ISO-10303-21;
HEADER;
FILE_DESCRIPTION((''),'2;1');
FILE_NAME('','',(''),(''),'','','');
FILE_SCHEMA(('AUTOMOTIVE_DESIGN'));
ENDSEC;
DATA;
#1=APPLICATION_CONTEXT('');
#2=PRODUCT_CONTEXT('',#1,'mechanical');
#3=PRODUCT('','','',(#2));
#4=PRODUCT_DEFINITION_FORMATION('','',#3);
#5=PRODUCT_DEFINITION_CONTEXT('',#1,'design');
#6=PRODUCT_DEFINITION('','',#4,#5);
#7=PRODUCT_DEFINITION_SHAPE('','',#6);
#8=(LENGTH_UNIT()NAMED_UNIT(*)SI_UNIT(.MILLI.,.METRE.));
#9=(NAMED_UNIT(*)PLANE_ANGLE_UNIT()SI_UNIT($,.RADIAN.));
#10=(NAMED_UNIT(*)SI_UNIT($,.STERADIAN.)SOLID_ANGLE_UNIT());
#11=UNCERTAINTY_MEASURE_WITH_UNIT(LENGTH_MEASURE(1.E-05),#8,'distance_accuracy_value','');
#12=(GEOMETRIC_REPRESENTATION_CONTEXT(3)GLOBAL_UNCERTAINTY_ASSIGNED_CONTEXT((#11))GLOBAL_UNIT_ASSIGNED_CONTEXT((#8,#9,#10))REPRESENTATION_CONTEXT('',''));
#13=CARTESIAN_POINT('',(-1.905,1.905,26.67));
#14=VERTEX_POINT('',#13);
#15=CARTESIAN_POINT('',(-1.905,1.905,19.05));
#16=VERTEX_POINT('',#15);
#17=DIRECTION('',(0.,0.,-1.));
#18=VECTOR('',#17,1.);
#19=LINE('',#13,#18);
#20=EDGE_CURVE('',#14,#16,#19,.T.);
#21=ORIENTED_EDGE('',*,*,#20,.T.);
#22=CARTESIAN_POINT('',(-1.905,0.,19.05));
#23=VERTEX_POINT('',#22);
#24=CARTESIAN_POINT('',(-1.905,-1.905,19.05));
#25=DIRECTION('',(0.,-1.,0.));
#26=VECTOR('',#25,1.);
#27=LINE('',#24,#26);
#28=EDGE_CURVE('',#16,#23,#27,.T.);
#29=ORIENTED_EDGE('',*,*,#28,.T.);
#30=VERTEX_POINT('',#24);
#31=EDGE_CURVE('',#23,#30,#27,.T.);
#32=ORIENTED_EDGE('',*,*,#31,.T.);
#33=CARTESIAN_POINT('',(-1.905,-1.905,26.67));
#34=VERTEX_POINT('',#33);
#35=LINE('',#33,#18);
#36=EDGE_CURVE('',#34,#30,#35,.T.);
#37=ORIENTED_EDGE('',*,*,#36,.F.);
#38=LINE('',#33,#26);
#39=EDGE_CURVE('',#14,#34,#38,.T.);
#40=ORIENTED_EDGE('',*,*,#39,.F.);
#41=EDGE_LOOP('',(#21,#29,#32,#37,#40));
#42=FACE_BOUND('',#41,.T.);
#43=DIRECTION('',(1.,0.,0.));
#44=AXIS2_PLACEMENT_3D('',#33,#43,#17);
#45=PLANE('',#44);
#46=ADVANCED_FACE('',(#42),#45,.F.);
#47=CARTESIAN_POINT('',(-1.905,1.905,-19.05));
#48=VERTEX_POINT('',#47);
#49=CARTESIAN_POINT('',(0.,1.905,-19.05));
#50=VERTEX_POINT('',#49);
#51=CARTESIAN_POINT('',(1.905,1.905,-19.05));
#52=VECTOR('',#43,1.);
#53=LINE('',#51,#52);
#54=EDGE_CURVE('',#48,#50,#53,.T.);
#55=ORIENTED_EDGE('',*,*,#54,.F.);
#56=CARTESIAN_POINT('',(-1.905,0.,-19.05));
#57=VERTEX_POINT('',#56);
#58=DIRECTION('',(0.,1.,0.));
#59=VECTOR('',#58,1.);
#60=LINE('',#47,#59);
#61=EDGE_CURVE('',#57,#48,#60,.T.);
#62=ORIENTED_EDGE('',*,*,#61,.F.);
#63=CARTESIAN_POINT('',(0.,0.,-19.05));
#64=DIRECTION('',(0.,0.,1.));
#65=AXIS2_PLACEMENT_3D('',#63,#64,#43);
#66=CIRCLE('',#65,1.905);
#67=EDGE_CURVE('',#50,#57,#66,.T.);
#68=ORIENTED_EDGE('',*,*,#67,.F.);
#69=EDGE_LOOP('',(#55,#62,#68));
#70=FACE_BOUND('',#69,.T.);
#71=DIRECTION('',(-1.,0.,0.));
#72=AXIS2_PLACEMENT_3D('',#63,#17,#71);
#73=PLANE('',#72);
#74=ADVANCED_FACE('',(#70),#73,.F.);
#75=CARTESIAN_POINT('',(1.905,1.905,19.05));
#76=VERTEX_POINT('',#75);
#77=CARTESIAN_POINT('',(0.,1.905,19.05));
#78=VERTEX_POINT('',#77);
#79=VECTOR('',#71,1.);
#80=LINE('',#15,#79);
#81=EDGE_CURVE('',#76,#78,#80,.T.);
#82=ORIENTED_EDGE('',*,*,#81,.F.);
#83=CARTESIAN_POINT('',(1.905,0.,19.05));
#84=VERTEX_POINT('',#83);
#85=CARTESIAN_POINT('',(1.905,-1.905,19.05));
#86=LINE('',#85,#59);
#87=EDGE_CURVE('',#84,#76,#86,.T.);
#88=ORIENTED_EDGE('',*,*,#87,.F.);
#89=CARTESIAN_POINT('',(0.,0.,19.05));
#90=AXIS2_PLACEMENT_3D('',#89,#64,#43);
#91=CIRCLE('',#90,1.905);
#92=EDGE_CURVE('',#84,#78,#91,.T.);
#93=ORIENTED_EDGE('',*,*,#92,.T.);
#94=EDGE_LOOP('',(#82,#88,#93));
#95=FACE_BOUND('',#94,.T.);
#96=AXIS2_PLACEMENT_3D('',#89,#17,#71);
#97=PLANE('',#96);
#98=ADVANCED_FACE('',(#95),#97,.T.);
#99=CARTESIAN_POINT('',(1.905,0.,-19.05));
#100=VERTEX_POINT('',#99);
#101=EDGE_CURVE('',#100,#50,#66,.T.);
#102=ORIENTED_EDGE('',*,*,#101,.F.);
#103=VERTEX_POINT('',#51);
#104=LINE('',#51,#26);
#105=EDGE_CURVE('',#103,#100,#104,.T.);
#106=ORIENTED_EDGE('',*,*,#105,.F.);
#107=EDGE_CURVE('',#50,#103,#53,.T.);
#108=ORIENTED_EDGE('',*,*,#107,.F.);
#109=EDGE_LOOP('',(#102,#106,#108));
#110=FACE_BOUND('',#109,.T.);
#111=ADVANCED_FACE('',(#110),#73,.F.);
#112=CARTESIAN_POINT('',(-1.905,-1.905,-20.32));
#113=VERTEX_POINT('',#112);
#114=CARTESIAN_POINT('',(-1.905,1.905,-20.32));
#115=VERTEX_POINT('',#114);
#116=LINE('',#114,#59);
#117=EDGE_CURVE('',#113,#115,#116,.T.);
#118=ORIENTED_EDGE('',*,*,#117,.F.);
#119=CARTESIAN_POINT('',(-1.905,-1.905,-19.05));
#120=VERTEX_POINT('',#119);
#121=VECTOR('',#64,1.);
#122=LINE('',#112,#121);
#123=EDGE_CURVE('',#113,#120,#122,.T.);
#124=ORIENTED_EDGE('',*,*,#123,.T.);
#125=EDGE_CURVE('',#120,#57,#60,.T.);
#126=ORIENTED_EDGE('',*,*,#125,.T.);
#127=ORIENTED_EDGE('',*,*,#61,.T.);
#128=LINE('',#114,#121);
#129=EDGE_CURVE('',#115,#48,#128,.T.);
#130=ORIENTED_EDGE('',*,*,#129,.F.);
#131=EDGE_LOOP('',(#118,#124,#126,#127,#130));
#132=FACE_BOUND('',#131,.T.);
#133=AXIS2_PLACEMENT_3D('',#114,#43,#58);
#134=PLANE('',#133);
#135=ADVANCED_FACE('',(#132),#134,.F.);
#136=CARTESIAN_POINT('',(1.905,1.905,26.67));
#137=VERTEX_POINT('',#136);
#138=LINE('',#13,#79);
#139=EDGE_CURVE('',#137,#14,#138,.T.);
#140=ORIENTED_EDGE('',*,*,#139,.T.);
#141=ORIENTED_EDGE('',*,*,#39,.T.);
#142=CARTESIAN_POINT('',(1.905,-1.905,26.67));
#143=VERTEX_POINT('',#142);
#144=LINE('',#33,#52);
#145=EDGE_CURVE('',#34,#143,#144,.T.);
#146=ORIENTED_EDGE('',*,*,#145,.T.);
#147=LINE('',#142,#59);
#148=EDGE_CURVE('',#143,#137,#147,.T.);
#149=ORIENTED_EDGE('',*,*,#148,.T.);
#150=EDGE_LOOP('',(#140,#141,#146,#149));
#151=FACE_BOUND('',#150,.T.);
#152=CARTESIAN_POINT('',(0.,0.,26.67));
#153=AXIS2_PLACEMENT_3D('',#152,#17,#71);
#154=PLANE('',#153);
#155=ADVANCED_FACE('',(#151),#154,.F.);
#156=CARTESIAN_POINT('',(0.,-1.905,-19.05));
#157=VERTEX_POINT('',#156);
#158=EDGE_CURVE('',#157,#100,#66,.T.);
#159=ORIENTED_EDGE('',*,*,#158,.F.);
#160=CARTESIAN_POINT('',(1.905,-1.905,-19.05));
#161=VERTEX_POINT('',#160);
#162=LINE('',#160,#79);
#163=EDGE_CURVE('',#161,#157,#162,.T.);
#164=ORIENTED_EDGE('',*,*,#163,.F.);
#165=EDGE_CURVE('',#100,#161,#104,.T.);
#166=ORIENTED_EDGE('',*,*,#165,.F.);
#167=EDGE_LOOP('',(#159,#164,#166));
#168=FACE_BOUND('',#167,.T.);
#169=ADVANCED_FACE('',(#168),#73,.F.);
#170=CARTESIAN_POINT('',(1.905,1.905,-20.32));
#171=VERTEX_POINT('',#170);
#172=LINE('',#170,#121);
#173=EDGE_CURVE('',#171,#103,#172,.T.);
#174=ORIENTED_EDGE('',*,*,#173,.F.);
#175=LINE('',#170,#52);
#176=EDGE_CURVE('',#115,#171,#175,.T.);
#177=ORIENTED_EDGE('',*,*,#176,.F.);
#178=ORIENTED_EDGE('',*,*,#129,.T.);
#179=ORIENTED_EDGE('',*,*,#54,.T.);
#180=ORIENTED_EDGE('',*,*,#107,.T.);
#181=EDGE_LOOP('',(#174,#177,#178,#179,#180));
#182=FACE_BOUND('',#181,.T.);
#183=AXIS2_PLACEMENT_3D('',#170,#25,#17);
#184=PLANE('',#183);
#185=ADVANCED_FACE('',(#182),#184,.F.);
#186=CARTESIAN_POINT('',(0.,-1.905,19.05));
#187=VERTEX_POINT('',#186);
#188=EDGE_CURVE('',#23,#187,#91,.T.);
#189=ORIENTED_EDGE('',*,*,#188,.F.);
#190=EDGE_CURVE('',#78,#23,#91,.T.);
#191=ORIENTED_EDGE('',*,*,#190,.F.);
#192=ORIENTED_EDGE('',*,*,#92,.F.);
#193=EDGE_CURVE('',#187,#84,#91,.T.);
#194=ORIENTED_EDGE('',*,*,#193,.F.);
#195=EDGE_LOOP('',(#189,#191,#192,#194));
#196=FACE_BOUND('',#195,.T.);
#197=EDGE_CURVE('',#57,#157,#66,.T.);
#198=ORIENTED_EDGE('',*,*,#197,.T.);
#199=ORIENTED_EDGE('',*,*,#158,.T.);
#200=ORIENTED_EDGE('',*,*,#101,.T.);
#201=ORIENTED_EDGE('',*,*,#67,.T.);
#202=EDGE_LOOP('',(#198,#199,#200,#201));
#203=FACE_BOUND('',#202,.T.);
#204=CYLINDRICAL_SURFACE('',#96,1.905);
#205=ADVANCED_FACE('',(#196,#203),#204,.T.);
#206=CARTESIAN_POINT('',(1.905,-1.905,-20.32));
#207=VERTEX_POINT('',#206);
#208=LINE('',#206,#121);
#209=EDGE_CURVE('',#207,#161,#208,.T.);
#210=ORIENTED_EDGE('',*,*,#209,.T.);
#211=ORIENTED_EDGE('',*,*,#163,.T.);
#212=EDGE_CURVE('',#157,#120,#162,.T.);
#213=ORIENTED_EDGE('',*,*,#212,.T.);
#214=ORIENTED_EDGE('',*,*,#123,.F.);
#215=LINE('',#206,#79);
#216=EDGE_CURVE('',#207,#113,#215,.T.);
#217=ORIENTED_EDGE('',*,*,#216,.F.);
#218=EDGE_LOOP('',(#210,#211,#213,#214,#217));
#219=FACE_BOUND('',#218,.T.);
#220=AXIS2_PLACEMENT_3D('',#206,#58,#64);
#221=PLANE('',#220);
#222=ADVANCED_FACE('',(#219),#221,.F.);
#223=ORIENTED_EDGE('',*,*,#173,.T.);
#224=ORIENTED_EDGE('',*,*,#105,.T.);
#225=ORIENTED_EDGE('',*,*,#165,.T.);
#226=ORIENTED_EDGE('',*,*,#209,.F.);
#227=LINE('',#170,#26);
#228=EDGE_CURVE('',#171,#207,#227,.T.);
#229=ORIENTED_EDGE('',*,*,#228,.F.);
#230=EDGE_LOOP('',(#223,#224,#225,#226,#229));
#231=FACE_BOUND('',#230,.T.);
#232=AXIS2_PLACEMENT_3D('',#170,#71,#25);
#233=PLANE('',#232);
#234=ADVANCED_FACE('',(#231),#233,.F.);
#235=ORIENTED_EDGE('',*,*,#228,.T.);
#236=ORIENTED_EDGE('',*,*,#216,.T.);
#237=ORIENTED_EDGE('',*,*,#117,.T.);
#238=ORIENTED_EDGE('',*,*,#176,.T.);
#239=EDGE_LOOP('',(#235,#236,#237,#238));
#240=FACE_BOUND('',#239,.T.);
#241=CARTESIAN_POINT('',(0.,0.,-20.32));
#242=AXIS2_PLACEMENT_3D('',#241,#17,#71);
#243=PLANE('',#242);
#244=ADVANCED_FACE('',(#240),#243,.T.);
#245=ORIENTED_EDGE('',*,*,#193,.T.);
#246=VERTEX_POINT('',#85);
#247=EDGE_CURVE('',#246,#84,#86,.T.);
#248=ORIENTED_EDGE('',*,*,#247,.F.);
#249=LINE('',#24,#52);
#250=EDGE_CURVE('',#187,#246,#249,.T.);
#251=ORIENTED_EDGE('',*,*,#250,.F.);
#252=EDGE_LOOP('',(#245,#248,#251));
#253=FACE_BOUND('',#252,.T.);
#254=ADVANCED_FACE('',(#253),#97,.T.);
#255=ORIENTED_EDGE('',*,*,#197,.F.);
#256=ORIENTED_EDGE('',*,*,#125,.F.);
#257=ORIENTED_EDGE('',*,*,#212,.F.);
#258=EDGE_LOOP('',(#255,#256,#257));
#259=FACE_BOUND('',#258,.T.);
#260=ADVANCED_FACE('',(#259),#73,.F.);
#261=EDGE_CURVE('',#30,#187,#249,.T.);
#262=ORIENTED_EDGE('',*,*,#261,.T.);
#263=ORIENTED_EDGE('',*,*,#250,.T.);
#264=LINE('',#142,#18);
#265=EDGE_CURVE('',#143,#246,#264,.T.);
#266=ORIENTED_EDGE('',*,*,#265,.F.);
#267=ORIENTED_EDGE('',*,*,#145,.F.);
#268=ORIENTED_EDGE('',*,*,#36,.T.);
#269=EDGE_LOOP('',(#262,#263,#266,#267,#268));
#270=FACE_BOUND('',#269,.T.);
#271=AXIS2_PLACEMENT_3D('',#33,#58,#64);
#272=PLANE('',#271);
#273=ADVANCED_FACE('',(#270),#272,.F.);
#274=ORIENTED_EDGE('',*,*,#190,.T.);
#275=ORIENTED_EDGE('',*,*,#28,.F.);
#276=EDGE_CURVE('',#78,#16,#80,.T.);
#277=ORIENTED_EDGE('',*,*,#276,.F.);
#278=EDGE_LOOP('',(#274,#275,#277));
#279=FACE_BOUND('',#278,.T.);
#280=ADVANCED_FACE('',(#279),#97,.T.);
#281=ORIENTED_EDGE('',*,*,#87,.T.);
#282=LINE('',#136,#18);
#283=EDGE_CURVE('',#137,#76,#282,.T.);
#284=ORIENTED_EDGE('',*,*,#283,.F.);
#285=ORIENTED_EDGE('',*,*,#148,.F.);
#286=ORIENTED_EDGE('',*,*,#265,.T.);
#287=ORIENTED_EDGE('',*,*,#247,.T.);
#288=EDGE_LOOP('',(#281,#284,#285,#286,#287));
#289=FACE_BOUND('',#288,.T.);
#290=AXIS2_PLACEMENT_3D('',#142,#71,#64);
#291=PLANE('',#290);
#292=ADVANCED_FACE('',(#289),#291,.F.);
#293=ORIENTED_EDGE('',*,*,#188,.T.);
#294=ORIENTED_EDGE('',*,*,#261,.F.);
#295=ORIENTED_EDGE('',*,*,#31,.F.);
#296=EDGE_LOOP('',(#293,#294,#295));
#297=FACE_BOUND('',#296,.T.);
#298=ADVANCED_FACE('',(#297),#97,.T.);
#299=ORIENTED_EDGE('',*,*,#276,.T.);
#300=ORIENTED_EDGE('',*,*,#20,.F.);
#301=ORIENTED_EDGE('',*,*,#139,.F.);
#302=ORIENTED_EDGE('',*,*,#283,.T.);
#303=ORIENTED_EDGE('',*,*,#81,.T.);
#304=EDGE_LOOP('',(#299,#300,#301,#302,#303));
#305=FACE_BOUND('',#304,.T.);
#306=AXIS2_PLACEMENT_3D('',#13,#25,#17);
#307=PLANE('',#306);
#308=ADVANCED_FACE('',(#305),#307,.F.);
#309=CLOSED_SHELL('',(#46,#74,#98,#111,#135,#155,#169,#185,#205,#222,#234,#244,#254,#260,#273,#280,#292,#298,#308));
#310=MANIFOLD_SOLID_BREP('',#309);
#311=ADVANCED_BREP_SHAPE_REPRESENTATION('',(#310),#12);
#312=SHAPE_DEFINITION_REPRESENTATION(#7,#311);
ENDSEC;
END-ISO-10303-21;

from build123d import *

# Parameters (mm, degrees)
SKETCH1_R           = 1.905
BOSS_EXTRUDE1_DEPTH = 19.05
SKETCH2_W           = 3.81
SKETCH2_H           = 3.81
BOSS_EXTRUDE2_DEPTH = 7.62
SKETCH3_W           = 3.81
SKETCH3_H           = 3.81
BOSS_EXTRUDE3_DEPTH = 1.27


with BuildPart() as part:
    # Sketch1 → Boss-Extrude1 (new, symmetric)
    with BuildSketch(Plane.XY):
        with Locations(Location((0, 0, 0), (0, 0, 180))):
            Circle(SKETCH1_R)
    extrude(amount=BOSS_EXTRUDE1_DEPTH, both=True)

    # Sketch2 → Boss-Extrude2 (add)
    with BuildSketch(Plane.XY.offset(19.05)):
        Rectangle(SKETCH2_W, SKETCH2_H)
    extrude(amount=BOSS_EXTRUDE2_DEPTH)

    # Sketch3 → Boss-Extrude3 (add)
    with BuildSketch(Plane(origin=(0, 0, -19.05), x_dir=(-1, 0, 0), z_dir=(0, 0, -1))):
        Rectangle(SKETCH3_W, SKETCH3_H)
    extrude(amount=BOSS_EXTRUDE3_DEPTH)


solid = part.part
